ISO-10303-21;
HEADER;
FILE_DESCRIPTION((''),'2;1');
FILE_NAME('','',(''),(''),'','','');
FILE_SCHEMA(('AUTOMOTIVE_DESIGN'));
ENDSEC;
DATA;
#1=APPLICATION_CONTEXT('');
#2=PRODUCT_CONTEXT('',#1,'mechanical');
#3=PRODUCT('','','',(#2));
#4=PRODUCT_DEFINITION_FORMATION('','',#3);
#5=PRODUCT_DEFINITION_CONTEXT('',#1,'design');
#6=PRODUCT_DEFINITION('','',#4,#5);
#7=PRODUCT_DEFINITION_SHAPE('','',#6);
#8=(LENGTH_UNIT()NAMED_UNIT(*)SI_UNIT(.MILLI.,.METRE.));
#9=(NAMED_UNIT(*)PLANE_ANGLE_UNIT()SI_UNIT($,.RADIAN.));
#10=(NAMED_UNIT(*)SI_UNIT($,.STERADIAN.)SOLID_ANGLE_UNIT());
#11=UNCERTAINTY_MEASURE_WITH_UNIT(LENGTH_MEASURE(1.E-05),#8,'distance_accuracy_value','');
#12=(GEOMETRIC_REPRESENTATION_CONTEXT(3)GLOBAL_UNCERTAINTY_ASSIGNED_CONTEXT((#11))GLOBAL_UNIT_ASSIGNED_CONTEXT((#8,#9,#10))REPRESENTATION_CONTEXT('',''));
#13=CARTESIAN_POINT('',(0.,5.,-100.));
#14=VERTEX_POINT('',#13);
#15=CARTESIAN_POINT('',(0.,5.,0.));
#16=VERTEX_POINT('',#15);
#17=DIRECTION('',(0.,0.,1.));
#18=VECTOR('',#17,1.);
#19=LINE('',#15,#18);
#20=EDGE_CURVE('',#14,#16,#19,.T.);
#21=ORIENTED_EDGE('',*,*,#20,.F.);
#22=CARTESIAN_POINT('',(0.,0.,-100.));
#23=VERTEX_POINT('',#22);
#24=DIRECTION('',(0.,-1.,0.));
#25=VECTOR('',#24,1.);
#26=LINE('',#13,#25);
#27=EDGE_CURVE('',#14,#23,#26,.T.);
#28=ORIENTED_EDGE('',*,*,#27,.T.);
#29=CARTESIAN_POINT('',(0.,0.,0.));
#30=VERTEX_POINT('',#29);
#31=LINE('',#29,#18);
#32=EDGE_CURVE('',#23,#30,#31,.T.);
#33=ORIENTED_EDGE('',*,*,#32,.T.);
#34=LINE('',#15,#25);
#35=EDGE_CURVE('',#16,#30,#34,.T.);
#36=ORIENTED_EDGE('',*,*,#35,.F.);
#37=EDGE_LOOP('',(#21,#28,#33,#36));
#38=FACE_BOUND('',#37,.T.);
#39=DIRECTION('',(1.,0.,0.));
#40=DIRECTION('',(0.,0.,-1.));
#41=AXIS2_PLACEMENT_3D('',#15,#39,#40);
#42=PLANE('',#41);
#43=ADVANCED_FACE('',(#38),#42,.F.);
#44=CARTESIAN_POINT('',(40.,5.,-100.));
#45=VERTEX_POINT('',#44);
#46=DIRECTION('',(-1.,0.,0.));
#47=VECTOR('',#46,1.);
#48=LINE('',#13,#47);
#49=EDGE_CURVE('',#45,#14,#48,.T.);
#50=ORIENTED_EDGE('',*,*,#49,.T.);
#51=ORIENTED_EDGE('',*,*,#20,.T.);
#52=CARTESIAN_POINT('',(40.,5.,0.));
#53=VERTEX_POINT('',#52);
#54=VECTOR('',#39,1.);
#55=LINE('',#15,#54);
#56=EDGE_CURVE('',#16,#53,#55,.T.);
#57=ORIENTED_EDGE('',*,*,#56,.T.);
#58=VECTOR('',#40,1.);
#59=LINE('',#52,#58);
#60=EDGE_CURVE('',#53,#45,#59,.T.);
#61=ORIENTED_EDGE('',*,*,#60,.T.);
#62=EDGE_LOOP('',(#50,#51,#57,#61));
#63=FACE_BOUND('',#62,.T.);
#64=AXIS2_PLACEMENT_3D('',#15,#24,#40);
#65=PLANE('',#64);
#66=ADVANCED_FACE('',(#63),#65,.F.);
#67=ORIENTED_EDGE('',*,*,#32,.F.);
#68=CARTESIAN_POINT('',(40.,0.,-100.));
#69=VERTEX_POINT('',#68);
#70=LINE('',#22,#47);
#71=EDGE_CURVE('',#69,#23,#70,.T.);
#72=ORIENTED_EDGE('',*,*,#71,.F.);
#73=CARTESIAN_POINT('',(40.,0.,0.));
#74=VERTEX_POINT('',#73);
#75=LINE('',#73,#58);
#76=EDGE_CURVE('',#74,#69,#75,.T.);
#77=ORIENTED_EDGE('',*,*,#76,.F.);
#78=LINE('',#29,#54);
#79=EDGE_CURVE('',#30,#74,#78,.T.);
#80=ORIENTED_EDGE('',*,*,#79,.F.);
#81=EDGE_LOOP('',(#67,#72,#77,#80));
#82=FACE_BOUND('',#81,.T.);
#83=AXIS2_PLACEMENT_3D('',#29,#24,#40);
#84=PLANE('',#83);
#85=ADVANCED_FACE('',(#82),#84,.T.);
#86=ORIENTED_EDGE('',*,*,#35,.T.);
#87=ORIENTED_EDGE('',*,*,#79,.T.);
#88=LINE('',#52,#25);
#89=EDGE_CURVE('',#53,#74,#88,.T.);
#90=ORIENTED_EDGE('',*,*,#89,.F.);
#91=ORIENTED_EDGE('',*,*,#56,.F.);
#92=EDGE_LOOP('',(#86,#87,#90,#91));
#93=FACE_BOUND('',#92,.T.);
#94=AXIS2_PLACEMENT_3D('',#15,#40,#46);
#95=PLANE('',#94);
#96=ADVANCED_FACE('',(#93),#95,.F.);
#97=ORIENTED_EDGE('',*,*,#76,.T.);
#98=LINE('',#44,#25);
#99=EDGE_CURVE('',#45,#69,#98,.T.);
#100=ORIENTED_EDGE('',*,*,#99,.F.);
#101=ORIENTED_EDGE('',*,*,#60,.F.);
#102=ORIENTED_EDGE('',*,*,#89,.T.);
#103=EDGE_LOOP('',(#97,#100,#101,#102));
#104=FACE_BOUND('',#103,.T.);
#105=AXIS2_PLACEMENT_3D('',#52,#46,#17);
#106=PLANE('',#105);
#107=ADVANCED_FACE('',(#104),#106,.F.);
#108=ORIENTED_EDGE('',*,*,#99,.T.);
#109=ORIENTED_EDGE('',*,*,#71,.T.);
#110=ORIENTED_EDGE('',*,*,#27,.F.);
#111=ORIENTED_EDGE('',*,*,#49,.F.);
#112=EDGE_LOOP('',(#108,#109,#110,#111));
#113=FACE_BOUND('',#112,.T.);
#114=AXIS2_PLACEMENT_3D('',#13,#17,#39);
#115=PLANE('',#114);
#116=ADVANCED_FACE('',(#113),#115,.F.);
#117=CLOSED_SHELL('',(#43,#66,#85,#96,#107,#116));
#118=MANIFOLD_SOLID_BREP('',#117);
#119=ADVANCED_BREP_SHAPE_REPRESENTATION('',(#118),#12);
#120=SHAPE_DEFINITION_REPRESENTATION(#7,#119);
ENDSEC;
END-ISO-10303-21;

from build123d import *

# Parameters (mm, degrees)
SKETCH_1_W      = 40
SKETCH_1_H      = 100
EXTRUDE_1_DEPTH = 5


with BuildPart() as part:
    # Эскиз1 → Бобышка-Вытянуть1 (new body)
    with BuildSketch(Plane(origin=(0, 0, 0), x_dir=(1, 0, 0), z_dir=(0, 1, 0))):
        with Locations((20, 50)):
            Rectangle(SKETCH_1_W, SKETCH_1_H)
    extrude(amount=EXTRUDE_1_DEPTH)


solid = part.part
